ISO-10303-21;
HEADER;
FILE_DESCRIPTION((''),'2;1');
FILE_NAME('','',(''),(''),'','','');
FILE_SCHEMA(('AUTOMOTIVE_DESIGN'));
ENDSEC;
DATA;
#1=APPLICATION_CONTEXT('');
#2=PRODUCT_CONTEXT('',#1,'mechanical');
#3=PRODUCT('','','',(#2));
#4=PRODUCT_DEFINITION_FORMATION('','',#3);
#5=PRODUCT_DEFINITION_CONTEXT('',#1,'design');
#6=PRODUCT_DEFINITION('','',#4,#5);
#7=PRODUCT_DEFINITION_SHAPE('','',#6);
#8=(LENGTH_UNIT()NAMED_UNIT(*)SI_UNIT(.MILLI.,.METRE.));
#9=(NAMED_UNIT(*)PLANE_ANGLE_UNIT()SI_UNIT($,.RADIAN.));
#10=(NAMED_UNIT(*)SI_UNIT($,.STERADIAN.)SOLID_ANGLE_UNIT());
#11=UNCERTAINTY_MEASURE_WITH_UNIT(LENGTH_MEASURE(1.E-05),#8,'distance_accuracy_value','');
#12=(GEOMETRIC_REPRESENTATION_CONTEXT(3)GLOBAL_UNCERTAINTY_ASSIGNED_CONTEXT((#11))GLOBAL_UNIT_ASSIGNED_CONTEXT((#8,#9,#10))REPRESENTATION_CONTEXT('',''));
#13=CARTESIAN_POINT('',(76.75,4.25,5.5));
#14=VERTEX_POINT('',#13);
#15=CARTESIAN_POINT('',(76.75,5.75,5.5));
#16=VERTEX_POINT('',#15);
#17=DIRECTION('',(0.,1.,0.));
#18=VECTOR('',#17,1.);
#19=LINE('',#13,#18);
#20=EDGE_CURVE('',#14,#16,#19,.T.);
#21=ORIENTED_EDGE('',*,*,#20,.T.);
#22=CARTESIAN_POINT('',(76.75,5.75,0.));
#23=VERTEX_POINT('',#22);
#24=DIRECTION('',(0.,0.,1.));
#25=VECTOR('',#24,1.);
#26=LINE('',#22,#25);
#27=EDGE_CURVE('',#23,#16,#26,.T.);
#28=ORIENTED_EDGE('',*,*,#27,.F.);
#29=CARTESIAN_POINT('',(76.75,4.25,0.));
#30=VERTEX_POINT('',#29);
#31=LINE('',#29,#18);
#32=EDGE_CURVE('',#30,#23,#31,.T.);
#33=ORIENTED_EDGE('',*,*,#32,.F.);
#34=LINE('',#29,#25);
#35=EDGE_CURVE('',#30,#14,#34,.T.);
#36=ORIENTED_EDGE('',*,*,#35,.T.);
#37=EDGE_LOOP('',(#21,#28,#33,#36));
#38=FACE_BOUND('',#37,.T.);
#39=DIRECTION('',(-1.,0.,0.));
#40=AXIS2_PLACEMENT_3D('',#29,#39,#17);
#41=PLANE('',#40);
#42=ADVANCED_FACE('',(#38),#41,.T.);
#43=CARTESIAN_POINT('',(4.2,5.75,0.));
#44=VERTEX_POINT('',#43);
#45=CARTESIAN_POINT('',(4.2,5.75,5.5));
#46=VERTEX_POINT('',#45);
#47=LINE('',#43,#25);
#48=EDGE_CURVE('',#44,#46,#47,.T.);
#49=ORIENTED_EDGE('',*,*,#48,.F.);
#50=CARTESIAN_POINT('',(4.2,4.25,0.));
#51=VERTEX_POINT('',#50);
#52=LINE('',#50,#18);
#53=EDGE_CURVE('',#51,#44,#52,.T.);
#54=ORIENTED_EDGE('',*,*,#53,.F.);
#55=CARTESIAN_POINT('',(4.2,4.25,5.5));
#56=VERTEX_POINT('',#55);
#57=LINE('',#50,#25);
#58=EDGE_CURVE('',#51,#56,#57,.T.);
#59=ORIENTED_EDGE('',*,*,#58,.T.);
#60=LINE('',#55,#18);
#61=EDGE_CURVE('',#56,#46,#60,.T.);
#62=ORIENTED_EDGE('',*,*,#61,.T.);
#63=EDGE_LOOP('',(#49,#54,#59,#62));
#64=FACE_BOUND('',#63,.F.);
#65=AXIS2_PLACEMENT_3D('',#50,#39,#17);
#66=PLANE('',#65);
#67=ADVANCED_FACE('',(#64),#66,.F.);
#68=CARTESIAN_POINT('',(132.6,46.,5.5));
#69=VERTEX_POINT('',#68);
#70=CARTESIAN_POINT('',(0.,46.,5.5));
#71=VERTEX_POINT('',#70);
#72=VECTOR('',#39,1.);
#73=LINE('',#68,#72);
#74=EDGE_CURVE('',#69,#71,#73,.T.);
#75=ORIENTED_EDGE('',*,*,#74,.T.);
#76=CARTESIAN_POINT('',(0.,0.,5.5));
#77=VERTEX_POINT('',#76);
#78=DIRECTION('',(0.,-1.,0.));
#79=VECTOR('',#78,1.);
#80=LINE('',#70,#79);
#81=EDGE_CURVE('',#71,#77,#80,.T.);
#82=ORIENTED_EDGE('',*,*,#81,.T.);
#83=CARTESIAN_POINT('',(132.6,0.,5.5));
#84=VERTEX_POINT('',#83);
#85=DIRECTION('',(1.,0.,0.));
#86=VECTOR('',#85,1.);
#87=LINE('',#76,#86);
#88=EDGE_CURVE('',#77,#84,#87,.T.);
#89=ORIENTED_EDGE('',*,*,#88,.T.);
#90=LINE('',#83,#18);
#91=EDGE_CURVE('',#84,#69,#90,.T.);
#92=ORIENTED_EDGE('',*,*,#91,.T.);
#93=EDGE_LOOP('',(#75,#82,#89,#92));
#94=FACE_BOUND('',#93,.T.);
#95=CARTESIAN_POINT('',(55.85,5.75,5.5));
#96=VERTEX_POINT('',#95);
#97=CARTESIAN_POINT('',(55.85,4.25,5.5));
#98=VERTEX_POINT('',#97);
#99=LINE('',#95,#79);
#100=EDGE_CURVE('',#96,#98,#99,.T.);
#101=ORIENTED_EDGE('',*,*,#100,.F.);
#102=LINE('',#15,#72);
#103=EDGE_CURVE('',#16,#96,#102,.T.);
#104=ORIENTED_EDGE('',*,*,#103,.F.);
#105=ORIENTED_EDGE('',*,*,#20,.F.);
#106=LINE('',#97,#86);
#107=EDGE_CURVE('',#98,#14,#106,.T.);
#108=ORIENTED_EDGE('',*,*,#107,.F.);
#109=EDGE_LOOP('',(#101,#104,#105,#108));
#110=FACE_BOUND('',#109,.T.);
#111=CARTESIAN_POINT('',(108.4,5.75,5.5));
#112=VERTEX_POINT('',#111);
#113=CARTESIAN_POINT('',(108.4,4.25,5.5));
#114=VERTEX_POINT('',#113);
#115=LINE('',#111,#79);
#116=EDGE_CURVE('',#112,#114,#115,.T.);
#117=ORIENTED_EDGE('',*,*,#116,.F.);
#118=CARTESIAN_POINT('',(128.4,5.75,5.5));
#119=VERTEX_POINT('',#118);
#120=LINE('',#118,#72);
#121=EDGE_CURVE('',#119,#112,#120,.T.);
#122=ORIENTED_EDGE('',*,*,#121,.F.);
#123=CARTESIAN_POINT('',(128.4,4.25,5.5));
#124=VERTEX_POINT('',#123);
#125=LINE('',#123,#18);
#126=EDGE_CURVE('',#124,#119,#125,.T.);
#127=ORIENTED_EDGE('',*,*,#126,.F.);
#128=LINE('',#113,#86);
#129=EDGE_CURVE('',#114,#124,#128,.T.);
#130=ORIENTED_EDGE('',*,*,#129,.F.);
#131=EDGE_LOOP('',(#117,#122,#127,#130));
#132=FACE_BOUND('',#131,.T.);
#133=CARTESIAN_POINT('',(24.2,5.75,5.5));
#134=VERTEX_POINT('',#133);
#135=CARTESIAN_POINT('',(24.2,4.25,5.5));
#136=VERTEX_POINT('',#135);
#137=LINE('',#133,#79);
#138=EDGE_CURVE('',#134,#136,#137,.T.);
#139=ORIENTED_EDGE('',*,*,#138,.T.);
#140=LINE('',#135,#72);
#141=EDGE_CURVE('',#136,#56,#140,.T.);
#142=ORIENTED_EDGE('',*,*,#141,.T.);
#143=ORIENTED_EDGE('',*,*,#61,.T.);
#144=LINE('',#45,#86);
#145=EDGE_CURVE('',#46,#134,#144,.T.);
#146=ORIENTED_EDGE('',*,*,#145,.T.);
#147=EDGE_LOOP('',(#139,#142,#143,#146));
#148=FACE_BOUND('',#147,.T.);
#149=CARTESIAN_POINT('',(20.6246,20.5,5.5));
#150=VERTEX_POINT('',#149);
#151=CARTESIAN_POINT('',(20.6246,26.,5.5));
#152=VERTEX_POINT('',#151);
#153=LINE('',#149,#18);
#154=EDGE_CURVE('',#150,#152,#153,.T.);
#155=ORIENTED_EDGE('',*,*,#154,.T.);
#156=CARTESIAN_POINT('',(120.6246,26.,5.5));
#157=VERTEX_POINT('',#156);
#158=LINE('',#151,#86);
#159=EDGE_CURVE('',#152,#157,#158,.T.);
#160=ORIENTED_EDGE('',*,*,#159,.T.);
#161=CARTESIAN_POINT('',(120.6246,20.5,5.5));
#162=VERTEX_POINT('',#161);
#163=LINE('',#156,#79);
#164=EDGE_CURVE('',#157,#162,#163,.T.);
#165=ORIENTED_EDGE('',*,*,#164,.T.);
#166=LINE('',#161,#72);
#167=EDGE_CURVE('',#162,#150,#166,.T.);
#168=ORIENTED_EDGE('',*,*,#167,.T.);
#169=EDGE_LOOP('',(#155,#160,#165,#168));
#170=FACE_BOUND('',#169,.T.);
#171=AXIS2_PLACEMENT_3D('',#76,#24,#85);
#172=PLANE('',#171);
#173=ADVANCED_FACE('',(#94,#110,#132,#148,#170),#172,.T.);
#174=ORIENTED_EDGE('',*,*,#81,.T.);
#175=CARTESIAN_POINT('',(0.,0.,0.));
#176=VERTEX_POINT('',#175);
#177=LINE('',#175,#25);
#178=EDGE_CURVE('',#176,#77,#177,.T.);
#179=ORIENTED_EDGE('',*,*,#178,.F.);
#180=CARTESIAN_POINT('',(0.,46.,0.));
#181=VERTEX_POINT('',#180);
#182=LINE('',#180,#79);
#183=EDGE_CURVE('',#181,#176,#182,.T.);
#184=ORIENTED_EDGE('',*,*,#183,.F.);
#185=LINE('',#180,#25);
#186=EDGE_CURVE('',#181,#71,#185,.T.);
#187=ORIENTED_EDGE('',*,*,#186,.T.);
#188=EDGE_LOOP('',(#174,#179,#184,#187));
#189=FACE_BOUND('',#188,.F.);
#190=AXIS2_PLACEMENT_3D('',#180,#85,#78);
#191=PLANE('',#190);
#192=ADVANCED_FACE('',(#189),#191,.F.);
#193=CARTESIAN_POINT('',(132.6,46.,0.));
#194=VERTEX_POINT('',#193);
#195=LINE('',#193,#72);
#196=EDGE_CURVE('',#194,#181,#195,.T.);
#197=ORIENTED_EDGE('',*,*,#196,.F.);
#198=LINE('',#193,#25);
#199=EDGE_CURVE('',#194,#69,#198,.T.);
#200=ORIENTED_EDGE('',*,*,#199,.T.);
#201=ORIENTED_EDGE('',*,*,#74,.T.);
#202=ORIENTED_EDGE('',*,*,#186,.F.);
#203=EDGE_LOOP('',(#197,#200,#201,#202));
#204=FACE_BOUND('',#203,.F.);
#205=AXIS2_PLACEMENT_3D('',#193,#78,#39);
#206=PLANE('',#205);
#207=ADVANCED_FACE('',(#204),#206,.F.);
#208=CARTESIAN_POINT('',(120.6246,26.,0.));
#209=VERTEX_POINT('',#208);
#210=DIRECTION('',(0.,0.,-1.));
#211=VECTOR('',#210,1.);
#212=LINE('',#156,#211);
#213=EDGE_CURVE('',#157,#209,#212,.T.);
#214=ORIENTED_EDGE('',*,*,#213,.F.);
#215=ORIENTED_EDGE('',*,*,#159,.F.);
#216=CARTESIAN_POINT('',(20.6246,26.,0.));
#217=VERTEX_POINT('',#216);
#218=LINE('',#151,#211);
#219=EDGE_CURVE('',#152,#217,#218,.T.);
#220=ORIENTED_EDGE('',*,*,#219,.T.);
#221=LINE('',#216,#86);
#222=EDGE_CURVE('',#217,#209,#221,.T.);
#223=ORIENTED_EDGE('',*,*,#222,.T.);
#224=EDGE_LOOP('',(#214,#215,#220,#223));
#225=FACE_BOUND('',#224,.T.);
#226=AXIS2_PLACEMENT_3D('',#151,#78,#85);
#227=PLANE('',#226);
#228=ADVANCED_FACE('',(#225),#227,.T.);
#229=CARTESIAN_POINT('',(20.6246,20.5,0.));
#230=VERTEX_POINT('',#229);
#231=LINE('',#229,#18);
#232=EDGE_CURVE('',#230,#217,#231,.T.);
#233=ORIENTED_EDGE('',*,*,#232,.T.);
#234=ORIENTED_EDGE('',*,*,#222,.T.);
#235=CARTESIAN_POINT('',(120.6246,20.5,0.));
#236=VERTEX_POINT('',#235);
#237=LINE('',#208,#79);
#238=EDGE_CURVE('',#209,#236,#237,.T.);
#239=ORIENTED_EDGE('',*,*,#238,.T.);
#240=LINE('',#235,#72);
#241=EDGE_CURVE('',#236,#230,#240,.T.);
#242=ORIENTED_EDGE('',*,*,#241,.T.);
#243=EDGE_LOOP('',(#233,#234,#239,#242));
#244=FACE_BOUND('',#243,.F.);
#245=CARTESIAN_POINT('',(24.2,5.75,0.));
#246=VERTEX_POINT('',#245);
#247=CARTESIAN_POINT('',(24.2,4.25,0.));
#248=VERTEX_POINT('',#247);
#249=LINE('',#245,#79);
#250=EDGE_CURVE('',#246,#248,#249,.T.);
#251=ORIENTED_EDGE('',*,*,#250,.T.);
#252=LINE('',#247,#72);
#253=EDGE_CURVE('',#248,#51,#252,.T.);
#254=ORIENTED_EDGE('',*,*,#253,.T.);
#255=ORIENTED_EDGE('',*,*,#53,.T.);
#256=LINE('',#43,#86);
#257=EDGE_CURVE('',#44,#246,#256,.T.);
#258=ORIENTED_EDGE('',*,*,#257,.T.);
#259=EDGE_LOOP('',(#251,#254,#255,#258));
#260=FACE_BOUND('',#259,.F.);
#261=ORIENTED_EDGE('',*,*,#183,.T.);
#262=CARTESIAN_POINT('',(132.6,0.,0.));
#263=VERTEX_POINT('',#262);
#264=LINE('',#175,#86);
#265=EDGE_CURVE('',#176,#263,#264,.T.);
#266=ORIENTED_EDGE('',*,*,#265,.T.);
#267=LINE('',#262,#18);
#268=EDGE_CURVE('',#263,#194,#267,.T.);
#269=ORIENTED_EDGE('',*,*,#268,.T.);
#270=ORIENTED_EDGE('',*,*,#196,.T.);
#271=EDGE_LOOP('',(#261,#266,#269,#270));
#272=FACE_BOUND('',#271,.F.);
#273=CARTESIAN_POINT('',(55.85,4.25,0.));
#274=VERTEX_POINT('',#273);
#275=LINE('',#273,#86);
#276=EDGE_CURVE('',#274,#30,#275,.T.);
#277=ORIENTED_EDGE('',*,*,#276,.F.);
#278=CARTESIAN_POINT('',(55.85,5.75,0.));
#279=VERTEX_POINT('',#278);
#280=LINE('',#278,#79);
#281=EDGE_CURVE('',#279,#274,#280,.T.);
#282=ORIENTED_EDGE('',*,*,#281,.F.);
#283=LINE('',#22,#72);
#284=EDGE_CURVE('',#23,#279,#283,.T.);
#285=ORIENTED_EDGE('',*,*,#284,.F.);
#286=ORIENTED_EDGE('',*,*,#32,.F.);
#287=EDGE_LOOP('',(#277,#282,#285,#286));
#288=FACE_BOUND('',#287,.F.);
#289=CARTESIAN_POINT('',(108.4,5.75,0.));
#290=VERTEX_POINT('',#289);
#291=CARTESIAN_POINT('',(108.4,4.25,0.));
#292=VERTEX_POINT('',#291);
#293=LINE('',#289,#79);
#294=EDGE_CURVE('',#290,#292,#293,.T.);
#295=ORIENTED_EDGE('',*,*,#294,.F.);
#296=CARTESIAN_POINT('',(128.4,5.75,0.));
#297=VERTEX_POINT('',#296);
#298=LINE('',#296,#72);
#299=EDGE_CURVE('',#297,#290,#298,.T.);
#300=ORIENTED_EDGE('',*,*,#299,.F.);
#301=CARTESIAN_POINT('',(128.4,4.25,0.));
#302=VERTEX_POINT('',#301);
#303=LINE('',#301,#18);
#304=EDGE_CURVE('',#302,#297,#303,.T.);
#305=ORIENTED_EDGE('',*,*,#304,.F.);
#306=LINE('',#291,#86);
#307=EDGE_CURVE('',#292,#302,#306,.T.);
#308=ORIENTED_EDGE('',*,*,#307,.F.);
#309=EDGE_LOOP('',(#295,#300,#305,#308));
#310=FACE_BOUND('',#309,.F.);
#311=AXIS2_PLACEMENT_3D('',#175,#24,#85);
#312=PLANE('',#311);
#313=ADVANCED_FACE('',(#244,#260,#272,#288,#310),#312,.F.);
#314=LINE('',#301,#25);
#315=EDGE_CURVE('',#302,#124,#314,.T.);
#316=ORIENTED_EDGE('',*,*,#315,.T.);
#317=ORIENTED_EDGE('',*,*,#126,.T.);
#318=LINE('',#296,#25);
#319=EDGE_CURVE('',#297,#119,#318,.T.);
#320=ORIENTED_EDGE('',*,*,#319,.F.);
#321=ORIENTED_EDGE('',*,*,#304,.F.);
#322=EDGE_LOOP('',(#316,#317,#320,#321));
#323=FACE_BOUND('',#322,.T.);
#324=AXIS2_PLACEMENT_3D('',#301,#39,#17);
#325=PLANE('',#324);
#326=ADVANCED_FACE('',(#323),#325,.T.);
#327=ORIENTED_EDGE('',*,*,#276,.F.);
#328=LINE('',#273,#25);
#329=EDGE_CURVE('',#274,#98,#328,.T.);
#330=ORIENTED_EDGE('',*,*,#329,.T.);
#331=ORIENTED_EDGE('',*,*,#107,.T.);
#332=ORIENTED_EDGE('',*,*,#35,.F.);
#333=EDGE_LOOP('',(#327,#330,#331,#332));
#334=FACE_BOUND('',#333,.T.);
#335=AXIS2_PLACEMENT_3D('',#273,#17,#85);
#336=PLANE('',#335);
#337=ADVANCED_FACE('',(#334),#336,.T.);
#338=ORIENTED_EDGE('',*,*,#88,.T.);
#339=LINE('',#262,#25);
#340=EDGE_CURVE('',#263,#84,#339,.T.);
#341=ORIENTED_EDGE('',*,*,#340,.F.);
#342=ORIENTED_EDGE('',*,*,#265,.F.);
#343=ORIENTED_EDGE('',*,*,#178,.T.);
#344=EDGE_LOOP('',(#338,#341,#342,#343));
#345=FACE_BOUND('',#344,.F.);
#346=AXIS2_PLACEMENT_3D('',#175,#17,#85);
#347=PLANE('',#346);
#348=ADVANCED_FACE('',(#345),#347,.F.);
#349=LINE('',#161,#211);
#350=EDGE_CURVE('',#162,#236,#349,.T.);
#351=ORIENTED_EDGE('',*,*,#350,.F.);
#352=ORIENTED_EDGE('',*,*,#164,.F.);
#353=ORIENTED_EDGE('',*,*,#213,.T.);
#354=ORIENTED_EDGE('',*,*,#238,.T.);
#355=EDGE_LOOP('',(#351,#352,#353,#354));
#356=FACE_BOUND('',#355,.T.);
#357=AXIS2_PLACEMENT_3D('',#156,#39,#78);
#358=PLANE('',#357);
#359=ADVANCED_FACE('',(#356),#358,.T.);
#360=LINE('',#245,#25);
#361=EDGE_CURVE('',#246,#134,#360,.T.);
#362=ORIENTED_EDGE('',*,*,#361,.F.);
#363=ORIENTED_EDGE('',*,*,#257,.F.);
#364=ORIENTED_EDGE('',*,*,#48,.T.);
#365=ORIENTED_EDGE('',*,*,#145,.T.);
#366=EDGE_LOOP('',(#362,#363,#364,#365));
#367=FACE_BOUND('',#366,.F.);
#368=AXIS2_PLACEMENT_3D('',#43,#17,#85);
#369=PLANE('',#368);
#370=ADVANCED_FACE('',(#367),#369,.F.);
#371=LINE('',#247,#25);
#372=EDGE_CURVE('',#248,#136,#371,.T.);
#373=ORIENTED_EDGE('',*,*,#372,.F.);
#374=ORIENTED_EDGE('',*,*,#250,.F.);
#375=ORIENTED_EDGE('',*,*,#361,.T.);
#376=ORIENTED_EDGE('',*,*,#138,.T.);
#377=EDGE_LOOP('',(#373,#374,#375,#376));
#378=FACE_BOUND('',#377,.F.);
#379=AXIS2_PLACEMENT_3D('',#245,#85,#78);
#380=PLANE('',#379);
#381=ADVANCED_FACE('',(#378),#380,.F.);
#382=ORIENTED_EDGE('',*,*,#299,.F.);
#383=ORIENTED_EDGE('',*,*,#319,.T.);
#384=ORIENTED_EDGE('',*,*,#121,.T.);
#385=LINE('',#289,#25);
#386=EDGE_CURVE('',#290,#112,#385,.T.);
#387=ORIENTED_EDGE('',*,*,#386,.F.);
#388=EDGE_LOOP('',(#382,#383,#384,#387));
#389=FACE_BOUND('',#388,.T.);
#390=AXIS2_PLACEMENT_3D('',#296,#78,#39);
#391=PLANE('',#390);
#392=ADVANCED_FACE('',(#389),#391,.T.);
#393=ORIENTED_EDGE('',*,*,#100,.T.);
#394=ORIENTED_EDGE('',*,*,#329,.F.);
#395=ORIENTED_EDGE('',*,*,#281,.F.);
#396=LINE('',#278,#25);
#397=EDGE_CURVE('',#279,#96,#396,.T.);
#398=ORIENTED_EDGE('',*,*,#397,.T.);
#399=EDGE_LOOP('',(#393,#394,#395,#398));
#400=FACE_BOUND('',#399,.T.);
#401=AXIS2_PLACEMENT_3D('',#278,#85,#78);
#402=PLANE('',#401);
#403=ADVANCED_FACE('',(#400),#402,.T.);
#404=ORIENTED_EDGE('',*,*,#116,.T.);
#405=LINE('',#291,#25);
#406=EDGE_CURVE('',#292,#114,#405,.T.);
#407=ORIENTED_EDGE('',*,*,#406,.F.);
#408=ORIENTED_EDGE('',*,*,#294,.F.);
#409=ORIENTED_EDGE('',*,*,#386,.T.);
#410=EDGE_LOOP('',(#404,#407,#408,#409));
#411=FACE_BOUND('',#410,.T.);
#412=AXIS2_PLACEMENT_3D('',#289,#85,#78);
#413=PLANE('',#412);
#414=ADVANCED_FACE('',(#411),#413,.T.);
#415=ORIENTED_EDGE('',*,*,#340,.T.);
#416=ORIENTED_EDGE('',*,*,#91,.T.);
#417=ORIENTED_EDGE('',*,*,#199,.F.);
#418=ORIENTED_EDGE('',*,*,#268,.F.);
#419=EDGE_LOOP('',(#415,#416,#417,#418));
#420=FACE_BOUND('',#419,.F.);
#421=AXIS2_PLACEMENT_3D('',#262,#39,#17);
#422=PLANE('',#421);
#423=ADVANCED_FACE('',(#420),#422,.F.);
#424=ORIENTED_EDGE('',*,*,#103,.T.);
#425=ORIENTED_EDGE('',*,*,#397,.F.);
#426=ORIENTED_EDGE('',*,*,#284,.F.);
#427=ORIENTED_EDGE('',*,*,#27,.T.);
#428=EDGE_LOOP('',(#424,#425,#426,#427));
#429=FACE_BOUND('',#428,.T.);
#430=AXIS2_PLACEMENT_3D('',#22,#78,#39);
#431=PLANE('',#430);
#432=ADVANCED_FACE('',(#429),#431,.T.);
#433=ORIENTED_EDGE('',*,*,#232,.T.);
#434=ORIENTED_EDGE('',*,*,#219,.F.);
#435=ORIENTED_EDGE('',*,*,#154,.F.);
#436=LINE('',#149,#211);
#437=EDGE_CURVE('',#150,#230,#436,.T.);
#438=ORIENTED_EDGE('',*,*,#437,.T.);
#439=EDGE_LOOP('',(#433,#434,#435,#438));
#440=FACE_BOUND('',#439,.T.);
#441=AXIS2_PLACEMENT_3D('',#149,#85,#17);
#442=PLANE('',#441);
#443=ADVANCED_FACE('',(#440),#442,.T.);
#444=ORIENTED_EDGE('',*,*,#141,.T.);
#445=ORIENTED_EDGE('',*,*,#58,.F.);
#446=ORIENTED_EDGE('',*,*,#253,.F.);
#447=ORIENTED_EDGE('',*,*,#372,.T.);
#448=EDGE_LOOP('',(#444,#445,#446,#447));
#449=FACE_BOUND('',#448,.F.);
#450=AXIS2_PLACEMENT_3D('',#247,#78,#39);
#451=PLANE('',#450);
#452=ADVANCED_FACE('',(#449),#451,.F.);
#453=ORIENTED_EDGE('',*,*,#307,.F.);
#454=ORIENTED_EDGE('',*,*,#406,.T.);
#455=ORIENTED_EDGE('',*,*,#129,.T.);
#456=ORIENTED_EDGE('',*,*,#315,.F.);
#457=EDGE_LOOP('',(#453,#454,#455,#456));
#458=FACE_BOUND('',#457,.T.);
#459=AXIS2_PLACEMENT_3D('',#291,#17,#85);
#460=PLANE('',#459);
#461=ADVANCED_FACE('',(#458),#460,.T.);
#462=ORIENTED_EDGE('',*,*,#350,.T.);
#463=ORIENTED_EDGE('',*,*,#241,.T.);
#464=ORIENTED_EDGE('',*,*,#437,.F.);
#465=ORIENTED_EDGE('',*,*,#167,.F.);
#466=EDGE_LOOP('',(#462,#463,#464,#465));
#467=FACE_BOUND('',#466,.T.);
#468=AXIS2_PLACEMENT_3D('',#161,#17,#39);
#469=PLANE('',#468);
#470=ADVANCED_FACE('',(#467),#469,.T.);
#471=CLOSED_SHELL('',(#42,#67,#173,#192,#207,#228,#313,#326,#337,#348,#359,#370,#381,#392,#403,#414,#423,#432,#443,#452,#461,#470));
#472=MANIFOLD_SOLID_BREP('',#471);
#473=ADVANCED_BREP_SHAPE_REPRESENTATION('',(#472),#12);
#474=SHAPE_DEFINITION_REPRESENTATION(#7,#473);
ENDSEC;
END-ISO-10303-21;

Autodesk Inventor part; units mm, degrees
ref_plane "YZ Plane" through (0, 0, 0) normal (1, 0, 0) x (0, 1, 0)
sketch "Sketch1" plane through (0, 0, 0) normal (0, 0, 1) x (1, 0, 0)
  line L0 (0, 0) -> (132.6, 0)
  line L1 (132.6, 0) -> (132.6, 46)
  line L2 (132.6, 46) -> (0, 46)
  line L3 (0, 46) -> (0, 0)
  line L4 (66.3, 46) -> (66.3, 0) construction
  line L5 (55.85, 4.25) -> (76.75, 4.25)
  line L6 (76.75, 4.25) -> (76.75, 5.75)
  line L7 (76.75, 5.75) -> (55.85, 5.75)
  line L8 (55.85, 5.75) -> (55.85, 4.25)
  line L9 (55.85, 4.25) -> (76.75, 5.75) construction
  line L10 (76.75, 4.25) -> (55.85, 5.75) construction
  line L11 (4.2, 5.75) -> (24.2, 5.75)
  line L12 (24.2, 5.75) -> (24.2, 4.25)
  line L13 (24.2, 4.25) -> (4.2, 4.25)
  line L14 (4.2, 4.25) -> (4.2, 5.75)
  line L15 (4.2, 5.75) -> (24.2, 4.25) construction
  line L16 (24.2, 5.75) -> (4.2, 4.25) construction
  line L17 (108.4, 4.25) -> (128.4, 4.25)
  line L18 (128.4, 4.25) -> (128.4, 5.75)
  line L19 (128.4, 5.75) -> (108.4, 5.75)
  line L20 (108.4, 5.75) -> (108.4, 4.25)
  line L21 (108.4, 4.25) -> (128.4, 5.75) construction
  line L22 (128.4, 4.25) -> (108.4, 5.75) construction
  line L23 (14.2, 5) -> (118.4, 5) construction
  point P0 (66.3, 5)
  point P1 (66.3, 5)
  dimension "d0" = 132.6
  dimension "d1" = 46
  dimension "d2" = 1.5
  dimension "d3" = 20.9
  dimension "d4" = 1.5
  dimension "d5" = 20
  dimension "d7" = 20
  dimension "d8" = 1.5
  dimension "d17" = 5
  dimension "d18" = 52.1
extrude "Extrusion1" add sketch "Sketch1" along normal blind 5.5
ref_plane "Work Plane1" through (0, 23, 0) normal (0, 1, 0) x (1, 0, 0)
ref_plane "Work Plane2" through (66.3, 0, 0) normal (1, 0, 0) x (0, 0, -1)
ref_plane "Work Plane3" through (4.2, 5, 0) normal (0, 1, 0) x (1, 0, 0)
sketch "Sketch3" plane through (0, 0, 5.5) normal (0, 0, 1) x (1, 0, 0)
  line L0 (20.6246, 26) -> (120.6246, 26)
  line L1 (120.6246, 26) -> (120.6246, 20.5)
  line L2 (120.6246, 20.5) -> (20.6246, 20.5)
  line L3 (20.6246, 20.5) -> (20.6246, 26)
  line L4 (132.6, 46) -> (0, 46) projected
  point P0 (0, 0)
  dimension "d19" = 100
  dimension "d20" = 5.5
  dimension "d21" = 20
extrude "Extrusion2" cut sketch "Sketch3" against normal blind 5.5
equation "\"d3\" = lrmid + toler"
equation "\"d4\" = d2"
equation "\"d5\" = lrlr + toler"
equation "\"d7\" = d5"
equation "\"d8\" = d2"
equation "\"d18\" = lrbetween"
equation "\"thick\" = 0.5"
equation "\"lrlr\" = 19"
equation "\"lrmid\" = 19.9"
equation "\"lrdepth\" = 3.3"
equation "\"mlr\" = 16.6"
equation "\"mmid\" = 24.7"
equation "\"mdepth\" = 4.5"
equation "\"lrltotal\" = 126.6"
equation "\"mltotal\" = 126.6"
equation "\"lrbetween\" = 52.1"
equation "\"mbetween\" = 49.5"
equation "\"toler\" = 1"
equation "\"stuckw\" = 6"
equation "\"tight\" = 0.08"
equation "\"sidewallL\" = 132.6"
equation "\"heaterH\" = 117.3"
equation "\"stickL\" = 3.5"
equation "\"wireH\" = 25"
properties part number "lr_bottom"
